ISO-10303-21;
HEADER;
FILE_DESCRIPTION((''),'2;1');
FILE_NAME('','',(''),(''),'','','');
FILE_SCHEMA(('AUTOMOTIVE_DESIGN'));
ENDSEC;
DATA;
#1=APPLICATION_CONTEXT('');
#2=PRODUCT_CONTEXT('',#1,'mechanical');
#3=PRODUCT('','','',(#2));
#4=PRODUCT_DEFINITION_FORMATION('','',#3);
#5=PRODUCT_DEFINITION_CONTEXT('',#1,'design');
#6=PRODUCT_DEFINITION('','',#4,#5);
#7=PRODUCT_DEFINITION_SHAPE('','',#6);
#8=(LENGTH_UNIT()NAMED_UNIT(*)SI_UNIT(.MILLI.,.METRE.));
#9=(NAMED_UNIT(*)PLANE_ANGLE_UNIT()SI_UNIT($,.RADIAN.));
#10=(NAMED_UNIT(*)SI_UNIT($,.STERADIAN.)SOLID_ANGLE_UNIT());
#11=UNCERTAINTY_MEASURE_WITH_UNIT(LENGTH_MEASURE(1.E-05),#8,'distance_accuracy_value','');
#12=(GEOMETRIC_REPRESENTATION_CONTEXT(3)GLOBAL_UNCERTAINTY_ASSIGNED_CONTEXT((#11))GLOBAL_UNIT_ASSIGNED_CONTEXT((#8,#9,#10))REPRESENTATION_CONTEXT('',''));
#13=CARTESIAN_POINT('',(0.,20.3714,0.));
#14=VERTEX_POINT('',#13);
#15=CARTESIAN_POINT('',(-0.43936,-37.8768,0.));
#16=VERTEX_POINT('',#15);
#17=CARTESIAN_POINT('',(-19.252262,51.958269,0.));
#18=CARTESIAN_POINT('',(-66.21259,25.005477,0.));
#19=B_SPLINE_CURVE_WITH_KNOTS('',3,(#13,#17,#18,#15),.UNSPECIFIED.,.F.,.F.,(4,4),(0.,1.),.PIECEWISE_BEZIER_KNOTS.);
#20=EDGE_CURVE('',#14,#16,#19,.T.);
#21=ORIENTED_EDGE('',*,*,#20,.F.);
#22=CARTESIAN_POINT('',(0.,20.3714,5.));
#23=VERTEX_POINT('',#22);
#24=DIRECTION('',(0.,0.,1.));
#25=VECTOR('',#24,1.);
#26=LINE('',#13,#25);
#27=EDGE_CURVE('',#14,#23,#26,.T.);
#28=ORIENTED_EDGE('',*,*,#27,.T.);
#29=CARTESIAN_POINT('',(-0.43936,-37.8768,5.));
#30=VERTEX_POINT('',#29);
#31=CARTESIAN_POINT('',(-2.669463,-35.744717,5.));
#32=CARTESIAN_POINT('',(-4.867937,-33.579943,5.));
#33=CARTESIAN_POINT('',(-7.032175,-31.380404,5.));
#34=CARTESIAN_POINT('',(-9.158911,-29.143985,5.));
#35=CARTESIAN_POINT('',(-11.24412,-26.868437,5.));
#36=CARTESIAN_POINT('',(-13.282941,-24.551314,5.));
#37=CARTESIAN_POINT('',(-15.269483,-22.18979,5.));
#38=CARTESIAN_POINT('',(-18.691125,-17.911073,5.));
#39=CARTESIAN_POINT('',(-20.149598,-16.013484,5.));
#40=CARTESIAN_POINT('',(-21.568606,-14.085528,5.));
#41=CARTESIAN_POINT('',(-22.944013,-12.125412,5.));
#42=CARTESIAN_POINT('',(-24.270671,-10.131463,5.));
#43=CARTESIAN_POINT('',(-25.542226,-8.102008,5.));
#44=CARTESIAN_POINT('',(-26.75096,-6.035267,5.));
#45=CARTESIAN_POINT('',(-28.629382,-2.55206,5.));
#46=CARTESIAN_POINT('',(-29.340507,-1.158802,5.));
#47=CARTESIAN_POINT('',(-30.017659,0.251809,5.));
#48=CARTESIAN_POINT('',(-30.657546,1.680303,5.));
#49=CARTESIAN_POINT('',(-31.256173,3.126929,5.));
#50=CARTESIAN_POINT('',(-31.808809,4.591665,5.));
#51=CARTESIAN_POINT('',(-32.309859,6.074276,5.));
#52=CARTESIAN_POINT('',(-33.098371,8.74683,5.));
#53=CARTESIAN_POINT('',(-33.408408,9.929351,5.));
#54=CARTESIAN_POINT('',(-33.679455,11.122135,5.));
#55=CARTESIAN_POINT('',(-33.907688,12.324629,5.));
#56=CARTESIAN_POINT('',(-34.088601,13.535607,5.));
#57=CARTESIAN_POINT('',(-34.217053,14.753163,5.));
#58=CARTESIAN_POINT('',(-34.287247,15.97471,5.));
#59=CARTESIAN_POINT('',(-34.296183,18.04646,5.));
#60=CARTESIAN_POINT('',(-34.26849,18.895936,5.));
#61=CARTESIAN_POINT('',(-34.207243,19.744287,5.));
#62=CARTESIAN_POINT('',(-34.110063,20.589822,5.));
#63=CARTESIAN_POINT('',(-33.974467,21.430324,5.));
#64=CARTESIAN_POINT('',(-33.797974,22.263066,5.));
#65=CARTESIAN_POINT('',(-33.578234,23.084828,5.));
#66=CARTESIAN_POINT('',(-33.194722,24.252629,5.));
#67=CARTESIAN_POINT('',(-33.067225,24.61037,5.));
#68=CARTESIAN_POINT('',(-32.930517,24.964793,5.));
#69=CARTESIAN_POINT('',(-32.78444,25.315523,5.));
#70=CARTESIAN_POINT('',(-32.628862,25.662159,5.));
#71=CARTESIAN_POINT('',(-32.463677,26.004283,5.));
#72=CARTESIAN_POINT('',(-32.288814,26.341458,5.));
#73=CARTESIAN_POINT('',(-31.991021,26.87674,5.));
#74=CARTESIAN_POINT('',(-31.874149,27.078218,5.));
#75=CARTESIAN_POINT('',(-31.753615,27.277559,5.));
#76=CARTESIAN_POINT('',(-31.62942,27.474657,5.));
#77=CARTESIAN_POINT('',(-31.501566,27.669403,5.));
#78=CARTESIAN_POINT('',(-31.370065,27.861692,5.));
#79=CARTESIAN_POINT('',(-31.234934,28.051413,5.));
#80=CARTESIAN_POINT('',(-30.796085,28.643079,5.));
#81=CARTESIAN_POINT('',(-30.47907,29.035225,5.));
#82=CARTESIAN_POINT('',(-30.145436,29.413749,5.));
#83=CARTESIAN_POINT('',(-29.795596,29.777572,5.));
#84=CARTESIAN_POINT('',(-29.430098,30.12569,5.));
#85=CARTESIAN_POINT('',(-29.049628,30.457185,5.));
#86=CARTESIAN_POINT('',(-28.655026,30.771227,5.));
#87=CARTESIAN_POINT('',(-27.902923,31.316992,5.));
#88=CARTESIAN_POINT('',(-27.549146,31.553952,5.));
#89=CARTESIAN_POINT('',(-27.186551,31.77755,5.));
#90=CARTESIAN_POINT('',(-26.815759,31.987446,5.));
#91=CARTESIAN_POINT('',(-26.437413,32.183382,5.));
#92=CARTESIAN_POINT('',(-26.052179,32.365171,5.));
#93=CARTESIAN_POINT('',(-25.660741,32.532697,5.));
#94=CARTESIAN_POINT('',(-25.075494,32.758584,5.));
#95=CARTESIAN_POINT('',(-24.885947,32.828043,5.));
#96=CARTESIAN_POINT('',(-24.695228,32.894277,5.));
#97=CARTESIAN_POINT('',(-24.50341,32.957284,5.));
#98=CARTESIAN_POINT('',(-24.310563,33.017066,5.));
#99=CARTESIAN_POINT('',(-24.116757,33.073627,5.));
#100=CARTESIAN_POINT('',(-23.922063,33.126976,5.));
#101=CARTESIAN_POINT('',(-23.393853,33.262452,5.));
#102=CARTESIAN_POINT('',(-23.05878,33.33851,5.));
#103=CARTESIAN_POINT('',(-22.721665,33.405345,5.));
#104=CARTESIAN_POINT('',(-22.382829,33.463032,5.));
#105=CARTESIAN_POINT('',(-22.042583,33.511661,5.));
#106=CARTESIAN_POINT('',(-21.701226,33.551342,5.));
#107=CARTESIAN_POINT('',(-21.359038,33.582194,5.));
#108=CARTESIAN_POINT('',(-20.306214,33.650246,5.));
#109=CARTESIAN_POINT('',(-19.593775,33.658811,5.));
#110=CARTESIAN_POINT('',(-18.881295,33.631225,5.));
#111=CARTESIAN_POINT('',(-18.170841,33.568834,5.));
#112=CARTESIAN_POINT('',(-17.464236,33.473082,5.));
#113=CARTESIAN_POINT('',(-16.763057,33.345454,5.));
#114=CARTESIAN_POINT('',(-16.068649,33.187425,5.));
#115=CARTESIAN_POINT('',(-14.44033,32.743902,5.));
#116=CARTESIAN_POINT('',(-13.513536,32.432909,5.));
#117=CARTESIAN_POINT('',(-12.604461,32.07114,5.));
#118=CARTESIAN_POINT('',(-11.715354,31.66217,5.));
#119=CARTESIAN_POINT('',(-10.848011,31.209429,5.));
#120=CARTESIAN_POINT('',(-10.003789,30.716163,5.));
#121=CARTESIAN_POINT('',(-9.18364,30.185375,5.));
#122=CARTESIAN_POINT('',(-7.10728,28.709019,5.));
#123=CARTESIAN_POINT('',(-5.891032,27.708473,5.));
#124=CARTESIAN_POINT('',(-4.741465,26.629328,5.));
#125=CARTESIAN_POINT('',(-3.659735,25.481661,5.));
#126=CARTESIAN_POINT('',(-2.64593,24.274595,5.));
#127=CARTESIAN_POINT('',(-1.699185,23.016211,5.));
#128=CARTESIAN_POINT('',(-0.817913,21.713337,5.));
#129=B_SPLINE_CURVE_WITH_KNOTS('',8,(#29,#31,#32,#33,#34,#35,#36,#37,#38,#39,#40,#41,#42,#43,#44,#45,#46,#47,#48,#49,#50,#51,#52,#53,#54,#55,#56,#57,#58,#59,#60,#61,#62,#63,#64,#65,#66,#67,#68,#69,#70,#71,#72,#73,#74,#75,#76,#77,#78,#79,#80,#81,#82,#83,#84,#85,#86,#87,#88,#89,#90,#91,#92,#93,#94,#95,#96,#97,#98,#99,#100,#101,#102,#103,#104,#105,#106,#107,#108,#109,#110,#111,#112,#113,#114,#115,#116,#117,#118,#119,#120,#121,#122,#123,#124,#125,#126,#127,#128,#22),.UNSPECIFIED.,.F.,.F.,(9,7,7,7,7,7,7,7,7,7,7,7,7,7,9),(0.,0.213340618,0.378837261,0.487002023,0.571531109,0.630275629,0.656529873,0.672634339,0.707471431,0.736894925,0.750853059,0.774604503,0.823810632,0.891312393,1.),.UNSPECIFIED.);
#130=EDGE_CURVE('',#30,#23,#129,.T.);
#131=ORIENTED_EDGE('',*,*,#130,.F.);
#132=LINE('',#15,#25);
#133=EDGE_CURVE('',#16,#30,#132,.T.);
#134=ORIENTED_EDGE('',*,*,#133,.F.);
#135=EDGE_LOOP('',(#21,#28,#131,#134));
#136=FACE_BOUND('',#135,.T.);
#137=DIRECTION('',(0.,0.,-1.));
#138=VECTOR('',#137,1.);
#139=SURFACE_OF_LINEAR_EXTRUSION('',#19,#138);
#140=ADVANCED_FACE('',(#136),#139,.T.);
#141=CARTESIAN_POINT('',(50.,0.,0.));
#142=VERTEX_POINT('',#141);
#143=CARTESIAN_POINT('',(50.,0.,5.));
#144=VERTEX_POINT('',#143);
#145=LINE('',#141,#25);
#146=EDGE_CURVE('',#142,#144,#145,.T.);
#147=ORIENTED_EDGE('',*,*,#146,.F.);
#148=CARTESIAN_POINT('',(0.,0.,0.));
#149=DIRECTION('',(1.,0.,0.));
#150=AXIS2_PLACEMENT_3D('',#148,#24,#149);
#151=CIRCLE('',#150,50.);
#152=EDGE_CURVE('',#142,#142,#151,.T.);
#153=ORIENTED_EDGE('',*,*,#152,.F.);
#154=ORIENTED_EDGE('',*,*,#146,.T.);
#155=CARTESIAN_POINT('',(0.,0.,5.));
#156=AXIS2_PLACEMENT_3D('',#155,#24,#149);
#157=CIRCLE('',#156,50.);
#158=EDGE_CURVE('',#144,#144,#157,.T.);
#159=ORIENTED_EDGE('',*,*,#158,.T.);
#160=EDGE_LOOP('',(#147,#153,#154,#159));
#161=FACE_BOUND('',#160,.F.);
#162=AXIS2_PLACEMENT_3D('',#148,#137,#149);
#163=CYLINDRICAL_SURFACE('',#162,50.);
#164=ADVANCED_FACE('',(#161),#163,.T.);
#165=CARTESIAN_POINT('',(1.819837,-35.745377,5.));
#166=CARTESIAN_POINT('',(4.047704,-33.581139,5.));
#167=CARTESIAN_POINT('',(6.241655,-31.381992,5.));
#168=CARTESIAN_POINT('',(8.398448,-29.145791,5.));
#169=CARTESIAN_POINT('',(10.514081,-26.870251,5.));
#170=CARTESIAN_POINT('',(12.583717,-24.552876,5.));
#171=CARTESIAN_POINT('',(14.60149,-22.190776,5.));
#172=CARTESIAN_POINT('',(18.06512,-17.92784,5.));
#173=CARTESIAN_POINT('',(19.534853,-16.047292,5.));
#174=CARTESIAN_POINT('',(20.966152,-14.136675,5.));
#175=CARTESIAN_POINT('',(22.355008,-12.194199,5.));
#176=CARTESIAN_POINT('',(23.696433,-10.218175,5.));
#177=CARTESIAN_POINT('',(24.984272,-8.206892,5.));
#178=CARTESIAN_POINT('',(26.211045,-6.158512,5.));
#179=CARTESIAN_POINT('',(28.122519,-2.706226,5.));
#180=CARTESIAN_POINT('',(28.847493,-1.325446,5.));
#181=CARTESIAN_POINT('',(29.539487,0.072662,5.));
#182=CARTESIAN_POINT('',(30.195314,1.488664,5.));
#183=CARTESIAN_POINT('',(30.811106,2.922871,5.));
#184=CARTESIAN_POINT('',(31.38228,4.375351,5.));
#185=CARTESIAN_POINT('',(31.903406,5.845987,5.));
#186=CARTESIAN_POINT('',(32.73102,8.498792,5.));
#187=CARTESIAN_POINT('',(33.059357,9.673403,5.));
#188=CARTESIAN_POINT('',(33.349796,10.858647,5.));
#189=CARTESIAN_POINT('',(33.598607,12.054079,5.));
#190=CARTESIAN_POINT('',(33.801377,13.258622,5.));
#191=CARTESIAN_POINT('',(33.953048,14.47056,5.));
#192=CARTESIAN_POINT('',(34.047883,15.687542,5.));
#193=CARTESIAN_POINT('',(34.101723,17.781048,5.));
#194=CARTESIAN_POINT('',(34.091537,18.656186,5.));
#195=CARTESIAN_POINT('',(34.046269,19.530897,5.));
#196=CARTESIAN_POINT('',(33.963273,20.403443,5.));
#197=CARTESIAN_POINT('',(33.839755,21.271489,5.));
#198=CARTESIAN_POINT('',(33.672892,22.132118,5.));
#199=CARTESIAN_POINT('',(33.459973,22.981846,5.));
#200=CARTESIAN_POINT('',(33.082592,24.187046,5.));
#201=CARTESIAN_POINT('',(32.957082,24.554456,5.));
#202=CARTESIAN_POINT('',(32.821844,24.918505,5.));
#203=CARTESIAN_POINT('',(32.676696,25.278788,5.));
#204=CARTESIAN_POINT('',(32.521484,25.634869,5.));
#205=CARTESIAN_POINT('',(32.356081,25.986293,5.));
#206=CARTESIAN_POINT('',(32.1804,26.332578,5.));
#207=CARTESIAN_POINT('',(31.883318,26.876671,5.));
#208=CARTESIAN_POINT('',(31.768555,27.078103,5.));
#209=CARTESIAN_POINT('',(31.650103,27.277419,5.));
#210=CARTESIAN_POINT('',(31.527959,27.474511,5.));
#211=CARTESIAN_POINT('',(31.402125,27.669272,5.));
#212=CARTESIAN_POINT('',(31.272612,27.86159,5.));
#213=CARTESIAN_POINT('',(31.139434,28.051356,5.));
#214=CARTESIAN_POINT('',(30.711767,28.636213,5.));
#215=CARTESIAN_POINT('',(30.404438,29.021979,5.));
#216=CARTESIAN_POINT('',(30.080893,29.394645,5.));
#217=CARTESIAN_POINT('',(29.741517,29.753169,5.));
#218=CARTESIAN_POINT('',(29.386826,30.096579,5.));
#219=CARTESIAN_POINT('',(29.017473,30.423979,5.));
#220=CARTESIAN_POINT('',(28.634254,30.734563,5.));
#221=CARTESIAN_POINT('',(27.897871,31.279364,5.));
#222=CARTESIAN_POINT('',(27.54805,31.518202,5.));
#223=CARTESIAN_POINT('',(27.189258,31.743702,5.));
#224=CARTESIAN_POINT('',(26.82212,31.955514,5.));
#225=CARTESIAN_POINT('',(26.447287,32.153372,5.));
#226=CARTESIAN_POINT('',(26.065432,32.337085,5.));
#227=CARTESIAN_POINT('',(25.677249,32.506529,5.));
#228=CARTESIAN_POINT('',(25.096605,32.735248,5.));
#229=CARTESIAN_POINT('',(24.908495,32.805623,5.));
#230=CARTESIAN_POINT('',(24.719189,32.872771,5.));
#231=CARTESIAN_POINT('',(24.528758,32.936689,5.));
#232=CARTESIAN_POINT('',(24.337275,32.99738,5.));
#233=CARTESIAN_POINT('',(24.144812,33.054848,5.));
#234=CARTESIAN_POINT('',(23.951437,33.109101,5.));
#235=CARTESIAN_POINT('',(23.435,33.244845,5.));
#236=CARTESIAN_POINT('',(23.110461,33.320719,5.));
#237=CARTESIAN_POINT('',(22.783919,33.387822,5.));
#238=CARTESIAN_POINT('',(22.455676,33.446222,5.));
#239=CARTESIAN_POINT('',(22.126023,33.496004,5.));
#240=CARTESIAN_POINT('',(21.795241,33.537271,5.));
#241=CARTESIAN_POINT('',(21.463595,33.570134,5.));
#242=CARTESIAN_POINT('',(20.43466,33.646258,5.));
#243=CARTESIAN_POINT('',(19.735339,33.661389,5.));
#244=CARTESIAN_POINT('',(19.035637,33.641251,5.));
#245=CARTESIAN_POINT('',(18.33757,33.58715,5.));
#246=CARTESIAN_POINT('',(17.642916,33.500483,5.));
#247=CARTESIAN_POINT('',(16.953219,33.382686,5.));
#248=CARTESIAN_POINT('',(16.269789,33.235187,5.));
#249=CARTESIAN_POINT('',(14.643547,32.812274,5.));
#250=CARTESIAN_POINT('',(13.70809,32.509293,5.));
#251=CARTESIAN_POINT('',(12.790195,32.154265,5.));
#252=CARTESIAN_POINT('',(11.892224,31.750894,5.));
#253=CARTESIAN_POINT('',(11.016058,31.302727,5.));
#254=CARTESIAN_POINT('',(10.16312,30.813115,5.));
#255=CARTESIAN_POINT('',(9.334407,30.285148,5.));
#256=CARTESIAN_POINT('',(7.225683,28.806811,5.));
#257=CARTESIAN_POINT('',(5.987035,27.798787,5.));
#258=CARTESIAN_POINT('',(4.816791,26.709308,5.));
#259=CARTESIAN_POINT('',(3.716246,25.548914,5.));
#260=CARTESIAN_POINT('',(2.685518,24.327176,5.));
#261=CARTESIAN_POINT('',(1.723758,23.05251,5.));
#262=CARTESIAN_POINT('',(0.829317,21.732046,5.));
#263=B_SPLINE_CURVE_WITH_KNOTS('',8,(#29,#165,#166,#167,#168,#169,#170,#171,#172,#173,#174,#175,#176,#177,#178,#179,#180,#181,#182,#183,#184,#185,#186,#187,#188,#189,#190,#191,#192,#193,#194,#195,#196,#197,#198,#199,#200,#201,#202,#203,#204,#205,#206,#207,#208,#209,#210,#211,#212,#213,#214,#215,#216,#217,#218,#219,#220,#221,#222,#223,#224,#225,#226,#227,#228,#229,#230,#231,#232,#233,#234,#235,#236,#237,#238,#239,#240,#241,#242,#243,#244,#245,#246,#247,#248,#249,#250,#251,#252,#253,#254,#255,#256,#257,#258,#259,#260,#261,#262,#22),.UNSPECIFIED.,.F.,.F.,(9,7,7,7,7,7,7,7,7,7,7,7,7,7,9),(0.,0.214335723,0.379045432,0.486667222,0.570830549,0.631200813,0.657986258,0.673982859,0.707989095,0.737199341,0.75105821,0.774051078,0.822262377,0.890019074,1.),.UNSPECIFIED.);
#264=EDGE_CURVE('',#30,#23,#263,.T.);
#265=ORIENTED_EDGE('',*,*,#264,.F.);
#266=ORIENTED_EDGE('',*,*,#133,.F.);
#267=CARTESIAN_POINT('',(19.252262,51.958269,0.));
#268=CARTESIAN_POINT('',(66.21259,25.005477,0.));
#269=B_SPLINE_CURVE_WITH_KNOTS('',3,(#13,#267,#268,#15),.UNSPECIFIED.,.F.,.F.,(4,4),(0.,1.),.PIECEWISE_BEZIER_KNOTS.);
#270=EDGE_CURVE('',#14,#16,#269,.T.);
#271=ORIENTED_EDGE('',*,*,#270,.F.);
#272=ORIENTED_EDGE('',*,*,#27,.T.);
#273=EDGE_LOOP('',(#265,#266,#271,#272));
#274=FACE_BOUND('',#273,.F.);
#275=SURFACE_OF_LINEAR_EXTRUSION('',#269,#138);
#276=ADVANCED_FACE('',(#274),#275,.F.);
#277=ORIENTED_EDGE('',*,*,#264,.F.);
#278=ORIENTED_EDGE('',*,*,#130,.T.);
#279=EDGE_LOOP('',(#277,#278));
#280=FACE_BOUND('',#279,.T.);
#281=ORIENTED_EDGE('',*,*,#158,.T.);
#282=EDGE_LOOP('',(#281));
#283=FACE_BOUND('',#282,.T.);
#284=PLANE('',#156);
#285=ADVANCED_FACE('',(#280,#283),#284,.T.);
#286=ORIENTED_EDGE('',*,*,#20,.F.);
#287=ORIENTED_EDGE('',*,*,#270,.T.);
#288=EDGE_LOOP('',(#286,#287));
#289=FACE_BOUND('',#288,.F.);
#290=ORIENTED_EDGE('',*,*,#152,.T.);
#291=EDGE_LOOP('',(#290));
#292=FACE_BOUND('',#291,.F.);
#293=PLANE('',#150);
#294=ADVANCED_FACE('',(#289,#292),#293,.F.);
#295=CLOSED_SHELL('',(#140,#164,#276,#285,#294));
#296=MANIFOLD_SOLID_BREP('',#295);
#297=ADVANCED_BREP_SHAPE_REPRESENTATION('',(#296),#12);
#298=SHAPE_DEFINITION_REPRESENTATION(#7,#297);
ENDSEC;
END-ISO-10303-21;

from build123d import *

# Parameters (mm, degrees)
EXTRUDE_DEPTH      = 6
EXTRUDE_DEPTH_BACK = 1
CYLINDER_R         = 50
CYLINDER_DEPTH     = 5


with BuildPart() as extrude_body:
    # Sketch → Extrude (new body, two sides)
    with BuildSketch(Plane.XY) as extrude_sk:
        with BuildLine():
            add(Edge.make_bspline(
                [(0, 20.3714), (-19.252262, 51.958269), (-66.21259, 25.005477), (-0.43936, -37.8768)],
                knots=[0, 0, 0, 0, 1, 1, 1, 1], degree=3))
            add(Edge.make_bspline(
                [(0, 20.3714), (19.252262, 51.958269), (66.21259, 25.005477), (-0.43936, -37.8768)],
                knots=[0, 0, 0, 0, 1, 1, 1, 1], degree=3))
        make_face()
    extrude(amount=EXTRUDE_DEPTH)
    extrude(extrude_sk.sketch, amount=-EXTRUDE_DEPTH_BACK)


with BuildPart() as cut:
    # Cylinder → Cylinder (new body)
    with BuildSketch(Plane.XY):
        Circle(CYLINDER_R)
    extrude(amount=CYLINDER_DEPTH)

    # Cut: cut Extrude body
    add(extrude_body.part, mode=Mode.SUBTRACT)


solid = cut.part
